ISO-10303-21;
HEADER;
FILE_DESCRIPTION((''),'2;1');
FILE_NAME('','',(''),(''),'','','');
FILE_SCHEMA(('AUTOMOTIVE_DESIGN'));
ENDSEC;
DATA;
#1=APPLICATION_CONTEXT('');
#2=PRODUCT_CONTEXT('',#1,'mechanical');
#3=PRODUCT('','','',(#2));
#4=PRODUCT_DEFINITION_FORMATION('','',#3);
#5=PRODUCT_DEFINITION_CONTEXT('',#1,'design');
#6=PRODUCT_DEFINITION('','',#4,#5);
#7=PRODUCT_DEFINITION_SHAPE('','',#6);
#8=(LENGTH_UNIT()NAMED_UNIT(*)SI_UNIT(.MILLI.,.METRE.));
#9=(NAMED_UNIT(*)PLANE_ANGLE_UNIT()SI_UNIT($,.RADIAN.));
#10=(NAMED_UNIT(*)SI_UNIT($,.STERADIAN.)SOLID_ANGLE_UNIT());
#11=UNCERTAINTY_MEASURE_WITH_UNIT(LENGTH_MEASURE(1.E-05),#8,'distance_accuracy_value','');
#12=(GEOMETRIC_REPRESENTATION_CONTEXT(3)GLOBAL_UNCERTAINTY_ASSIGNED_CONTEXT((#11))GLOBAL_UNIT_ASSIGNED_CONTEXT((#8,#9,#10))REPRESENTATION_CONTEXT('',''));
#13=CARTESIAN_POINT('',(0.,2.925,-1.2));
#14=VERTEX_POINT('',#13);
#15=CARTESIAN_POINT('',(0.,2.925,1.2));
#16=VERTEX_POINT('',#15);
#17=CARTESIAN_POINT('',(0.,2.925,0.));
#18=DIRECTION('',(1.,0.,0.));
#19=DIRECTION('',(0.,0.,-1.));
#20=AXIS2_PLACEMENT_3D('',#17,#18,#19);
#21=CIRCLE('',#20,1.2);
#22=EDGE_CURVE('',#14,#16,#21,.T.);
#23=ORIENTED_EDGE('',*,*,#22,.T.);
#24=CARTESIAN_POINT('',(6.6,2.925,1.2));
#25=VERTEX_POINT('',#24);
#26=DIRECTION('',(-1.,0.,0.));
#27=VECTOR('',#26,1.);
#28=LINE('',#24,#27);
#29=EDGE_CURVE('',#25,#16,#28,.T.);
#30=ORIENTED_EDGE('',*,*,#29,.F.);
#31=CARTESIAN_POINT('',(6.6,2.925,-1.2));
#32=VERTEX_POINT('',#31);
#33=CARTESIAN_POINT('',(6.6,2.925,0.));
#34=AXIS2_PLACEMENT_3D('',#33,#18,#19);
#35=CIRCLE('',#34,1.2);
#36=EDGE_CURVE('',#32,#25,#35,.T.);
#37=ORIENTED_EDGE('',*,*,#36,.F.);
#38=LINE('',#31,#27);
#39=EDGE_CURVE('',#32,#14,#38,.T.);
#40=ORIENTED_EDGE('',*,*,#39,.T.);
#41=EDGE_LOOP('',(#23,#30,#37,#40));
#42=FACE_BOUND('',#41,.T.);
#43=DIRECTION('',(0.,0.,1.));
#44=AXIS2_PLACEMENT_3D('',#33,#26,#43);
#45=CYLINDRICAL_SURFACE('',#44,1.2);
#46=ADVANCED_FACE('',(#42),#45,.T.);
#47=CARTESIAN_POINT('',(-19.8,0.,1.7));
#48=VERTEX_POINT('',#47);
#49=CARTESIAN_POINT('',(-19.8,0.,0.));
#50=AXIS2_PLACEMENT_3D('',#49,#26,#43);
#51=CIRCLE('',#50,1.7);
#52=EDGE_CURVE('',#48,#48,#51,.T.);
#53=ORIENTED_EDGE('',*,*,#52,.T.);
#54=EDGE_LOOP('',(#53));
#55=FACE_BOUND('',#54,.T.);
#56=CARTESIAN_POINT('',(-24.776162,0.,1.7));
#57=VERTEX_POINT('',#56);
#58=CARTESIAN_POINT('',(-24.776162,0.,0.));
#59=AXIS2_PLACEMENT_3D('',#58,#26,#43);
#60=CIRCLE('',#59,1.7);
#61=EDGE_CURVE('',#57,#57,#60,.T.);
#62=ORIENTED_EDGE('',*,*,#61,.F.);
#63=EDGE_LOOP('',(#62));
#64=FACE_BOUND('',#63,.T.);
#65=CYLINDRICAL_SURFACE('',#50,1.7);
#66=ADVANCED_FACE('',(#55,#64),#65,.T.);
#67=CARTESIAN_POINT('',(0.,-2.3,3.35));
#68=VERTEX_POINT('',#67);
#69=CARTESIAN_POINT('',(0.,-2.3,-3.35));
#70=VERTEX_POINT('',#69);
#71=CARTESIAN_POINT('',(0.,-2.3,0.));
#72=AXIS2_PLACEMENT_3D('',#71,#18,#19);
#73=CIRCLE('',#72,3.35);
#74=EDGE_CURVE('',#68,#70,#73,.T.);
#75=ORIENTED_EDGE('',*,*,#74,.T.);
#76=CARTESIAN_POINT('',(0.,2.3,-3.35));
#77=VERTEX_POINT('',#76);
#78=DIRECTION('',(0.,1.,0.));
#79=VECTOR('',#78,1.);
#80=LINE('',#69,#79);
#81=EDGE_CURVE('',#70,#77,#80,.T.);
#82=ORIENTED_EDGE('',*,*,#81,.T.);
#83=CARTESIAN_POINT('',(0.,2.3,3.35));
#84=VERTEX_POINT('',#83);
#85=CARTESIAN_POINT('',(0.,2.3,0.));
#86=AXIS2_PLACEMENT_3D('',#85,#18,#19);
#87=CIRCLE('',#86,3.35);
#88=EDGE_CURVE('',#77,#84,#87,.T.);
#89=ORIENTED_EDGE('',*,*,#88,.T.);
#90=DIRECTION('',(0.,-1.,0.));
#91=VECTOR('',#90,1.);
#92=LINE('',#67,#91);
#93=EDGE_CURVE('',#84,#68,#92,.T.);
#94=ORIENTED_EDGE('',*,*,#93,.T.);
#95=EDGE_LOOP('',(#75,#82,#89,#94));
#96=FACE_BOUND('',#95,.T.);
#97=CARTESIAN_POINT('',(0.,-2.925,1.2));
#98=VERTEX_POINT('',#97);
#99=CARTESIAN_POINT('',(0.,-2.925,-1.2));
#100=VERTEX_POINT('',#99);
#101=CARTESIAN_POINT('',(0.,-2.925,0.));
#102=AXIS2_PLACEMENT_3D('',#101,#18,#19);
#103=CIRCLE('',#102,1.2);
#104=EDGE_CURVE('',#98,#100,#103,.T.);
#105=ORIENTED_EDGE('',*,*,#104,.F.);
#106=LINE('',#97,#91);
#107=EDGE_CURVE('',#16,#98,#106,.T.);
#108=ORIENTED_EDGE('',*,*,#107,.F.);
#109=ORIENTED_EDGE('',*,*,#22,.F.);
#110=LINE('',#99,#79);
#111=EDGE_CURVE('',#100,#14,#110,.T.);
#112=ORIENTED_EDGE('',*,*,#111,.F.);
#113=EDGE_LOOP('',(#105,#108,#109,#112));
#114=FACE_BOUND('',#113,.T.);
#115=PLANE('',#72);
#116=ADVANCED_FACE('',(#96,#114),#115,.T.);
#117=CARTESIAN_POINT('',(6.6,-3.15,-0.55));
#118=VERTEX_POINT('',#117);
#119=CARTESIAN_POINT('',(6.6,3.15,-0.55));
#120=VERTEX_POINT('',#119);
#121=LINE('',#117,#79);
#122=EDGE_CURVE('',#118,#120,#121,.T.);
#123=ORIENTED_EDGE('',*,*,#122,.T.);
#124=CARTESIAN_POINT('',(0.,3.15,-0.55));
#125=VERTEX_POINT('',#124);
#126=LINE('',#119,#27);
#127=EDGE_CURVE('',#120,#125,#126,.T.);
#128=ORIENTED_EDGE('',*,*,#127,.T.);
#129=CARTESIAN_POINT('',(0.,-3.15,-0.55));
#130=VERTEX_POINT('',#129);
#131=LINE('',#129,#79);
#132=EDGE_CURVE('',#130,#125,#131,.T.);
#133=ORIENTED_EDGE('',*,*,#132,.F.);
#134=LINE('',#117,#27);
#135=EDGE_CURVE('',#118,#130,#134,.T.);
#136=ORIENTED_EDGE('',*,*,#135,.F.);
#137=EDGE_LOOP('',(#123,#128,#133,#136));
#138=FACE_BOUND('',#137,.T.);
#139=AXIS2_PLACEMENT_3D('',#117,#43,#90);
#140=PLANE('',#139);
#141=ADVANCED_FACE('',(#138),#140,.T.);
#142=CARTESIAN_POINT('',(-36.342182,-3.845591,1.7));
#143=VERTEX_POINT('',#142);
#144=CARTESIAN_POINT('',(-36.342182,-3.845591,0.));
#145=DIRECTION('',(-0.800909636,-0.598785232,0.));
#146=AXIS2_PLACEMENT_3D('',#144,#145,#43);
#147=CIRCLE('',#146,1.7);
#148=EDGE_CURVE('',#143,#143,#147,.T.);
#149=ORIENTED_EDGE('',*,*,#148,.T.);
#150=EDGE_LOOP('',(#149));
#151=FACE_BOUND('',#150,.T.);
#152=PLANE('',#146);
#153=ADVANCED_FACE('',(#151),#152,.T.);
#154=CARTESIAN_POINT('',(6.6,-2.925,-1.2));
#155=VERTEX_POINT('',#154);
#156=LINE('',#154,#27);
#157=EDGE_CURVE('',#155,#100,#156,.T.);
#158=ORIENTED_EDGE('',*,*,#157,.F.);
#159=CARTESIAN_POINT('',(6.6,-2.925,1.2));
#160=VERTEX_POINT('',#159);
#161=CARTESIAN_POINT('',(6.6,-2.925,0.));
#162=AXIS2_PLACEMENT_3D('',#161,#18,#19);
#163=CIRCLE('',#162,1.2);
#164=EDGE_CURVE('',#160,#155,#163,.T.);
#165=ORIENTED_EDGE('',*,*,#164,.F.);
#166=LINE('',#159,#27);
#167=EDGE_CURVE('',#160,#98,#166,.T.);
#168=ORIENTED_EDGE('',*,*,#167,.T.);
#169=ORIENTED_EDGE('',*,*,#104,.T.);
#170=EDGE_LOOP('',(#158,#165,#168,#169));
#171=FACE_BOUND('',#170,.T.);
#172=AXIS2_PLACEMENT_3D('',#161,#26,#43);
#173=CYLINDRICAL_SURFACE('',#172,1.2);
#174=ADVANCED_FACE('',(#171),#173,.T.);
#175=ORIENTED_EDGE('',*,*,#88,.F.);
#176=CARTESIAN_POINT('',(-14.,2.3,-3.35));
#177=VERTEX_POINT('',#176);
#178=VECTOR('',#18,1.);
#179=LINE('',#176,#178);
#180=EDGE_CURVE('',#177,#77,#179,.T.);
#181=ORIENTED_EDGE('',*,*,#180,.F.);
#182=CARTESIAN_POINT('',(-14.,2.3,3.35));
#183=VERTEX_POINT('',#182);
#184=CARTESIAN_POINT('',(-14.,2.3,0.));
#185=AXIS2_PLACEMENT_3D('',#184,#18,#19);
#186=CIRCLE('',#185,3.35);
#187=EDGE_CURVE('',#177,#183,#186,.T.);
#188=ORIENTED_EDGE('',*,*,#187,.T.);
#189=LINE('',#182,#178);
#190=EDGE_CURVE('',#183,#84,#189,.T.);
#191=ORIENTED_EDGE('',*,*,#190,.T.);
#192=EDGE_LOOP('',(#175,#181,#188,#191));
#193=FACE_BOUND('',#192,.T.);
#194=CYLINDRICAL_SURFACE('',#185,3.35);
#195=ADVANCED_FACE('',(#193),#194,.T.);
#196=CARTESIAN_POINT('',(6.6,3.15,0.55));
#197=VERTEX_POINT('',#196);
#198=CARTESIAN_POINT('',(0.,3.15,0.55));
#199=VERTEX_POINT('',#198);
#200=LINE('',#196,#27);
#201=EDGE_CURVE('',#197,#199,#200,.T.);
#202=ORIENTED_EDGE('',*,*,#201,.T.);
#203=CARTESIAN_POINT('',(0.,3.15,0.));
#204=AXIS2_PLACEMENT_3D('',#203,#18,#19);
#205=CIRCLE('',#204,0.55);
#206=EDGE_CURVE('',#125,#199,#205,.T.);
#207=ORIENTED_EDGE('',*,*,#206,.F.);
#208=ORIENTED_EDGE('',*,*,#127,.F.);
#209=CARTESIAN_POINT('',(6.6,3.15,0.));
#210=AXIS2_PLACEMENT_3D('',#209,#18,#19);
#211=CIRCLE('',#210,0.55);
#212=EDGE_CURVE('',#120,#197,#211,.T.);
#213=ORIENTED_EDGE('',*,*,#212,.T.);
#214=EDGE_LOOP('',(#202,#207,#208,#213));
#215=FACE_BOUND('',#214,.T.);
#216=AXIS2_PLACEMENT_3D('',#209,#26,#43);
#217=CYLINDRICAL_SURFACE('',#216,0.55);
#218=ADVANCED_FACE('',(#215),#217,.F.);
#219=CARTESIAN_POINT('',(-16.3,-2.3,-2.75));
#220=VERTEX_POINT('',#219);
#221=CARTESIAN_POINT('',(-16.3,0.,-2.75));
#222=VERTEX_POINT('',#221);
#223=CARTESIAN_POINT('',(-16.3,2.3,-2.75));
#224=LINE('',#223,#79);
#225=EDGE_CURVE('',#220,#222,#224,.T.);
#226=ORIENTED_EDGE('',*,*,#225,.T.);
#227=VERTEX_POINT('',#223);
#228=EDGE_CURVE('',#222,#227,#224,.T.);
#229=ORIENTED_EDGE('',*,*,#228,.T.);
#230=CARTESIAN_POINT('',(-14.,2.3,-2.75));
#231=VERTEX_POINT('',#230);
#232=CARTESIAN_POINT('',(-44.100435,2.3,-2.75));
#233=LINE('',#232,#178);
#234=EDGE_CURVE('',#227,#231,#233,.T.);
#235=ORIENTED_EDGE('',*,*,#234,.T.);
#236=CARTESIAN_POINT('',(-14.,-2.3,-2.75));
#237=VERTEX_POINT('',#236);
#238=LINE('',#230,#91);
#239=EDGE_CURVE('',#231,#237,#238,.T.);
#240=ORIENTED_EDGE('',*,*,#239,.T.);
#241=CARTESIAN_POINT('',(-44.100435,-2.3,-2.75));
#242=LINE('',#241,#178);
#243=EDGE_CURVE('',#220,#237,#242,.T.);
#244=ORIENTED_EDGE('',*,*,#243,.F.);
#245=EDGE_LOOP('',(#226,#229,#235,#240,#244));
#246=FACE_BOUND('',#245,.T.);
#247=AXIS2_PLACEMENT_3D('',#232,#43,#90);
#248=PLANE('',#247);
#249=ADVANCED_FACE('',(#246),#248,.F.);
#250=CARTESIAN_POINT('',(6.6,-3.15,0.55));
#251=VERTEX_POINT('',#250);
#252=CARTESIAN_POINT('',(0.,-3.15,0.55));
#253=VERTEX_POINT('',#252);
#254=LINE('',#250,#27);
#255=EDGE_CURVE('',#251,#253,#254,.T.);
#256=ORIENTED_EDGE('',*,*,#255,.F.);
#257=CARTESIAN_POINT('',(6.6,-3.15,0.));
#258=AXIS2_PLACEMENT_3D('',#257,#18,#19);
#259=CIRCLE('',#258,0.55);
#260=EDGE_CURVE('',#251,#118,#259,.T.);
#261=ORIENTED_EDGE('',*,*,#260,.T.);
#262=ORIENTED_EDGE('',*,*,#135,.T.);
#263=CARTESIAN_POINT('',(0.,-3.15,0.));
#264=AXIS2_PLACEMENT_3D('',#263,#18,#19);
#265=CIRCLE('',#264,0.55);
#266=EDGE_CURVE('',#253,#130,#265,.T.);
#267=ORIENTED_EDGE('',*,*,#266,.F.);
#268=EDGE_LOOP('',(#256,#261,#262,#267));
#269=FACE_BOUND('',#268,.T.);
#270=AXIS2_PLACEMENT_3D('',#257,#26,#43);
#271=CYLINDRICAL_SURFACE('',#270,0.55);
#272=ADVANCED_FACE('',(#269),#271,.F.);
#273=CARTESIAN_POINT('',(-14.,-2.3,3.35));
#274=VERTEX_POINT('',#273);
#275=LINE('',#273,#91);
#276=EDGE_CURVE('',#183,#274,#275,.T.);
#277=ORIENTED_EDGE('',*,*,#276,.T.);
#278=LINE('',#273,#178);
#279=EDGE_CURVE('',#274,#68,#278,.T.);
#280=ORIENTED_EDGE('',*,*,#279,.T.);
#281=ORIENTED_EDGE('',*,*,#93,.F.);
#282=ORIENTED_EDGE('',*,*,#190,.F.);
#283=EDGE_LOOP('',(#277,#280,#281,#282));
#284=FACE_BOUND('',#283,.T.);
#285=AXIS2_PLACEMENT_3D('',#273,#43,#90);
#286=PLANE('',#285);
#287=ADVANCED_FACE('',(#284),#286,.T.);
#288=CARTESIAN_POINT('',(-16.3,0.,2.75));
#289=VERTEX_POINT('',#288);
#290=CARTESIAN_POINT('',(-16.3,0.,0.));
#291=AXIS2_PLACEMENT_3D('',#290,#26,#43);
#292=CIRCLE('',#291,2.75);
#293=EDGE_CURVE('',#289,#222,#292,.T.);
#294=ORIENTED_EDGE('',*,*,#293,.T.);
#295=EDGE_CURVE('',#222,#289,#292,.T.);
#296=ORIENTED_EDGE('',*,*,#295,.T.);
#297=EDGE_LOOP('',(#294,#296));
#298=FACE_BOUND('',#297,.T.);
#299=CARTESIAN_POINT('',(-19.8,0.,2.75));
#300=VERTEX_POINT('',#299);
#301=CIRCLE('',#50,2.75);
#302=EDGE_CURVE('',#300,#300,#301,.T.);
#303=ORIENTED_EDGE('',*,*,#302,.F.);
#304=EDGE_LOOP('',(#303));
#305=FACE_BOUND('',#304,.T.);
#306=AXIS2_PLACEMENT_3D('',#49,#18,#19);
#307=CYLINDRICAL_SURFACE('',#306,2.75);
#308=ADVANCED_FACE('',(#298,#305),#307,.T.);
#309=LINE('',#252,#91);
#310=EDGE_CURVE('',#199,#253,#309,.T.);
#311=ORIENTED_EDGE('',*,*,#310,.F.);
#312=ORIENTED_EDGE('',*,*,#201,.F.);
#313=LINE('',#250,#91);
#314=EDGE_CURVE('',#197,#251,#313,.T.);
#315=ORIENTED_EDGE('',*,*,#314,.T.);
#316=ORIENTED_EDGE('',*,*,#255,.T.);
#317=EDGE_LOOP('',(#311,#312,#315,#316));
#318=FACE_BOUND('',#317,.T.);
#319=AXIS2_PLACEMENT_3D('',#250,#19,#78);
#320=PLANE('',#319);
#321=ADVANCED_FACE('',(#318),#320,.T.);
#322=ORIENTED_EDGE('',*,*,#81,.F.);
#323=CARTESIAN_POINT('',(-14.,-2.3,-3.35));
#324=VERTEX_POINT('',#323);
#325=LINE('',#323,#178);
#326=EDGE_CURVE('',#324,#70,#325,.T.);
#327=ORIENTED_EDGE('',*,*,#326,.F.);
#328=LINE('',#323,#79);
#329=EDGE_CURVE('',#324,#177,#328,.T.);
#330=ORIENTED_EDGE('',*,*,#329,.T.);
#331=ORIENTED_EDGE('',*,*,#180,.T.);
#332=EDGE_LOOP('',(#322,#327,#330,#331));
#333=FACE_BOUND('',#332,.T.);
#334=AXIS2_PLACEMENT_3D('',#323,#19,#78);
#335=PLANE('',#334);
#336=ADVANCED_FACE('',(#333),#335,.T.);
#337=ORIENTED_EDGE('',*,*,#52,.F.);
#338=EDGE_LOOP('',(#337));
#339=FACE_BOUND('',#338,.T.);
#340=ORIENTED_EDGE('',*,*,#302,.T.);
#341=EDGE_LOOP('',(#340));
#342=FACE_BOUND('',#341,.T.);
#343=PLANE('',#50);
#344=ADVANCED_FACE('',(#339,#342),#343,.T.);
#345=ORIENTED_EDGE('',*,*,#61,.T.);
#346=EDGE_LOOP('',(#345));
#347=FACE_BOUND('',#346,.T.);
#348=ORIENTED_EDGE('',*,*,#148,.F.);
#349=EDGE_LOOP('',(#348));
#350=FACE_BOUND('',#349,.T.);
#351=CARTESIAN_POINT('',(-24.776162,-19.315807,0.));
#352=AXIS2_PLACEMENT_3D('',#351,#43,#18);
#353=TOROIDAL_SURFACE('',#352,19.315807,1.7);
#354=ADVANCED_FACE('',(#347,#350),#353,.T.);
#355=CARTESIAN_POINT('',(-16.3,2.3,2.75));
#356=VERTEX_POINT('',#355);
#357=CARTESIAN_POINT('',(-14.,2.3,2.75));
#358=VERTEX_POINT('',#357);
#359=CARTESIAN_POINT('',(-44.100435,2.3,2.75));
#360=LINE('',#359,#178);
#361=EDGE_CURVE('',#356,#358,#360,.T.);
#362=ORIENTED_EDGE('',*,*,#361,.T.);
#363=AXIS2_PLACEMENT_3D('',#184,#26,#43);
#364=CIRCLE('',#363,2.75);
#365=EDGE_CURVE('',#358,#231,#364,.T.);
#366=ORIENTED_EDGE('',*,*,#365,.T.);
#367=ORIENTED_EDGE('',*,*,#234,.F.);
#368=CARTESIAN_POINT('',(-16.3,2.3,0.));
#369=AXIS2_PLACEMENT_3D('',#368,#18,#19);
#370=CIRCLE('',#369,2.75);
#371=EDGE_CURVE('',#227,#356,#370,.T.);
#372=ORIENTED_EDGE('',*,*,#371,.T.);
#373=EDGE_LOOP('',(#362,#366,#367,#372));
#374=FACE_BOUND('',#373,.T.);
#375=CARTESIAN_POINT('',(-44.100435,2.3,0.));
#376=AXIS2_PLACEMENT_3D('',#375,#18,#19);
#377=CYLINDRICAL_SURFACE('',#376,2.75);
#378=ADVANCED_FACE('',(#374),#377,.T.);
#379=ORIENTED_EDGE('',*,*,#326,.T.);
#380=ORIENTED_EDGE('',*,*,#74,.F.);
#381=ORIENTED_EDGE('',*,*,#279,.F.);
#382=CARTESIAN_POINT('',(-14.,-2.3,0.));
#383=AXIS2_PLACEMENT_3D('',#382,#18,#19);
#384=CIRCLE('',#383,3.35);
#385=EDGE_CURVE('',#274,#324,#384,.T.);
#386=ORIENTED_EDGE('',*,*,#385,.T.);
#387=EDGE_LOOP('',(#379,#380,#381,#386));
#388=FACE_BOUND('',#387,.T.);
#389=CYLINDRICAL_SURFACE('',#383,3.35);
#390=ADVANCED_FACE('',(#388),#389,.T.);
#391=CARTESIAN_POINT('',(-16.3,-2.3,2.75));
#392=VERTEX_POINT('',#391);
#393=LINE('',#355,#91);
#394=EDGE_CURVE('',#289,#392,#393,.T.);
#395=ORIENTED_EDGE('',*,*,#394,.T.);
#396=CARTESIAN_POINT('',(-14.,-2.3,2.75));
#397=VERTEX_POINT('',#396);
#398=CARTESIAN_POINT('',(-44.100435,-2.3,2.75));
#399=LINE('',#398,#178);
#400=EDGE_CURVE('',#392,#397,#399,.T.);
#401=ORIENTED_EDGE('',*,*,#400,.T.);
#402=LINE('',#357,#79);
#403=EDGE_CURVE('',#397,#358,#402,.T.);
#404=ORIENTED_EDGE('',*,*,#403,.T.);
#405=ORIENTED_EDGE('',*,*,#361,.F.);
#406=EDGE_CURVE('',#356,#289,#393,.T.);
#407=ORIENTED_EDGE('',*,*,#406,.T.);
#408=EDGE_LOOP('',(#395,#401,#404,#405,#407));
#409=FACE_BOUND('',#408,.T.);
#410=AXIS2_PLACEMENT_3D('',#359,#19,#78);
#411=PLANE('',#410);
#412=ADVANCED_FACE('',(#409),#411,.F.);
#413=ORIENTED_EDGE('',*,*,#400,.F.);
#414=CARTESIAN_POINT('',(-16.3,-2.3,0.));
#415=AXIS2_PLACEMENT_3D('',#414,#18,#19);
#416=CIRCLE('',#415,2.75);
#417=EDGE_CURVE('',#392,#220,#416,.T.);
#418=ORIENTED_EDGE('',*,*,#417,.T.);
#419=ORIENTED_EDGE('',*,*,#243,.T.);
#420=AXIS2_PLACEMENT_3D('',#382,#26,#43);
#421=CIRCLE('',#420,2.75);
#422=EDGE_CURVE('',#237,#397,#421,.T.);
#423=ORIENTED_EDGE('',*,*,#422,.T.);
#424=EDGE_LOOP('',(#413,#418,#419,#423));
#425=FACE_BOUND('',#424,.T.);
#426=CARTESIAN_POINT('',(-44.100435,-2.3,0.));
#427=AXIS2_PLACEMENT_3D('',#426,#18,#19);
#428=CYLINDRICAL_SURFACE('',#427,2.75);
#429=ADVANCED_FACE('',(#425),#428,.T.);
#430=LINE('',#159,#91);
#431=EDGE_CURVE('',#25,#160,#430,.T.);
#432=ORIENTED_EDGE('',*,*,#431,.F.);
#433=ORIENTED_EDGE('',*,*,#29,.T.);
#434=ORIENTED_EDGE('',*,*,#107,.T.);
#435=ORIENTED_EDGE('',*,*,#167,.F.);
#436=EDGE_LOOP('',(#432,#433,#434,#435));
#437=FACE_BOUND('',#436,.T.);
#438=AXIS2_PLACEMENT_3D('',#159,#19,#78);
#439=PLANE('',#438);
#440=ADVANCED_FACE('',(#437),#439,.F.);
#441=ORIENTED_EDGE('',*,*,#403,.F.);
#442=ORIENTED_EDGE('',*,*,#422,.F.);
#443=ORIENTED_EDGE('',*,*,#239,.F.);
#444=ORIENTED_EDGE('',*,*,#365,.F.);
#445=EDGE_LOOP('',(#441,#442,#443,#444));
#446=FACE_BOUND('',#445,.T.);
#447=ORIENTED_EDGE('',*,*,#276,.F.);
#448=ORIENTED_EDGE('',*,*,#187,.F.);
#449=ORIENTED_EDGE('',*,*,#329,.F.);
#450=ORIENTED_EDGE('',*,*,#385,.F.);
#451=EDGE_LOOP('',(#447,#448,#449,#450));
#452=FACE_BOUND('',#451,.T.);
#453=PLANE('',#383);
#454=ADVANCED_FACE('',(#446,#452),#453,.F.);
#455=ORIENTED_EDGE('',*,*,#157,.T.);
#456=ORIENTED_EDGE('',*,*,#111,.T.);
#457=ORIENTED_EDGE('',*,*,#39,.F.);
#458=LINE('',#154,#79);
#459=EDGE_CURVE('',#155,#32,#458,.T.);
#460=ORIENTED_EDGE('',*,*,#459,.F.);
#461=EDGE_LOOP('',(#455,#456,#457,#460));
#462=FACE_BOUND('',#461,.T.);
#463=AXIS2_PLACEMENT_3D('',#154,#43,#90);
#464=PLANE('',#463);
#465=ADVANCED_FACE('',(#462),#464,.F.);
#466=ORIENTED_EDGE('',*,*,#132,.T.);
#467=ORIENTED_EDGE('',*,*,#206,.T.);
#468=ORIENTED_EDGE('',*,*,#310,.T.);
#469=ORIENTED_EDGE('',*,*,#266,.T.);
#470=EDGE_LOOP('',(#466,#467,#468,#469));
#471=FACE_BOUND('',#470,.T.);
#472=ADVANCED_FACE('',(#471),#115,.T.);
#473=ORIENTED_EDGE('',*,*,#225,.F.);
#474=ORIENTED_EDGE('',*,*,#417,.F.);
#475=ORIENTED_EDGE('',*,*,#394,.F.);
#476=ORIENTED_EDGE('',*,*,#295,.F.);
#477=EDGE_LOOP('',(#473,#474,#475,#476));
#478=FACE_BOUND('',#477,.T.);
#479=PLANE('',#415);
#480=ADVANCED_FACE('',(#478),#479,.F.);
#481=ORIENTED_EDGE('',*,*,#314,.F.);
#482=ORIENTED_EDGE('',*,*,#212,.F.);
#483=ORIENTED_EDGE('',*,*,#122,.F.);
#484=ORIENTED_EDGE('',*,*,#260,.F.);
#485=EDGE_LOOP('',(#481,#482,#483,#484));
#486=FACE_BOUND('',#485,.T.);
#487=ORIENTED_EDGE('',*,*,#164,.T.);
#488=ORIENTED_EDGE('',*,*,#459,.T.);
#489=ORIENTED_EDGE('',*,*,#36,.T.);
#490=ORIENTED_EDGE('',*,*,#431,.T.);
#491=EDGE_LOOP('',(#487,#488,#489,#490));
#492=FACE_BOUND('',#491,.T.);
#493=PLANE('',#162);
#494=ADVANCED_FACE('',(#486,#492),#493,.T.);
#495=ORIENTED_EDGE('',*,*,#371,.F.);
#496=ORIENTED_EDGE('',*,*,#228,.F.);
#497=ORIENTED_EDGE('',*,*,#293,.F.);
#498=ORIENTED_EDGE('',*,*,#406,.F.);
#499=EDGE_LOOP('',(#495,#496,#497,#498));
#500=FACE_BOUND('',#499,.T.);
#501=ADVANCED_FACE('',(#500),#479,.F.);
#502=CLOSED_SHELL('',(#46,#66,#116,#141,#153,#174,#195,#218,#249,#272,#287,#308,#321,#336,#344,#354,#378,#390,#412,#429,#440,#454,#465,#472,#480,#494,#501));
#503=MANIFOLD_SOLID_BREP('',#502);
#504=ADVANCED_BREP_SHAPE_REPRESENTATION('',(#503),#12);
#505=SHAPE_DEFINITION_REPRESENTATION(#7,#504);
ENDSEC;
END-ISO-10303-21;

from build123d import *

# Parameters (mm, degrees)
EXTRUDE_1_DEPTH = 14
EXTRUDE_2_DEPTH = 2.3
SKETCH_4_R      = 2.75
EXTRUDE_3_DEPTH = 3.5
SKETCH_5_R      = 1.7
EXTRUDE_4_DEPTH = 6.6


with BuildPart() as part:
    # Эскиз1 → Бобышка-Вытянуть1 (new body)
    with BuildSketch(Plane(origin=(0, 0, 0), x_dir=(0, 0, -1), z_dir=(1, 0, 0))):
        with BuildLine():
            Line((-3.35, -2.3), (-3.35, 2.3))
            ThreePointArc((-3.35, 2.3), (0, 5.65), (3.35, 2.3))
            Line((3.35, 2.3), (3.35, -2.3))
            ThreePointArc((3.35, -2.3), (0, -5.65), (-3.35, -2.3))
        make_face()
    extrude(amount=-EXTRUDE_1_DEPTH)

    # Эскиз3 → Бобышка-Вытянуть2 (add)
    with BuildSketch(Plane.ZY.offset(14)):
        with BuildLine():
            Line((2.75, 2.3), (2.75, -2.3))
            ThreePointArc((2.75, -2.3), (0, -5.05), (-2.75, -2.3))
            Line((-2.75, -2.3), (-2.75, 2.3))
            ThreePointArc((-2.75, 2.3), (0, 5.05), (2.75, 2.3))
        make_face()
    extrude(amount=EXTRUDE_2_DEPTH)

    # Эскиз4 → Бобышка-Вытянуть3 (add)
    with BuildSketch(Plane.ZY.offset(16.3)):
        Circle(SKETCH_4_R)
    extrude(amount=EXTRUDE_3_DEPTH)

    # По траектории1: sweep along a path in Эскиз6
    with BuildLine(Plane.XY) as sweep_1_path:
        Line((-19.8, 0), (-24.776161806, 0))
        ThreePointArc((-24.776161806, 0), (-30.870449905, -0.986593903), (-36.342181829, -3.845591055))
    # Эскиз5 → По траектории1 (sweep)
    with BuildSketch(Plane.ZY.offset(19.8)):
        Circle(SKETCH_5_R)
    sweep(path=sweep_1_path.line)

    # Эскиз7 → Бобышка-Вытянуть4 (add)
    with BuildSketch(Plane(origin=(0, 0, 0), x_dir=(0, 0, -1), z_dir=(1, 0, 0))):
        with BuildLine():
            Line((-1.2, -2.925), (-1.2, 2.925))
            ThreePointArc((-1.2, 2.925), (0, 4.125), (1.2, 2.925))
            Line((1.2, 2.925), (1.2, -2.925))
            ThreePointArc((1.2, -2.925), (0, -4.125), (-1.2, -2.925))
        make_face()
        with BuildLine():
            Line((-0.55, -3.15), (-0.55, 3.15))
            ThreePointArc((-0.55, 3.15), (0, 3.7), (0.55, 3.15))
            Line((0.55, 3.15), (0.55, -3.15))
            ThreePointArc((0.55, -3.15), (0, -3.7), (-0.55, -3.15))
        make_face(mode=Mode.SUBTRACT)
    extrude(amount=EXTRUDE_4_DEPTH)


solid = part.part
